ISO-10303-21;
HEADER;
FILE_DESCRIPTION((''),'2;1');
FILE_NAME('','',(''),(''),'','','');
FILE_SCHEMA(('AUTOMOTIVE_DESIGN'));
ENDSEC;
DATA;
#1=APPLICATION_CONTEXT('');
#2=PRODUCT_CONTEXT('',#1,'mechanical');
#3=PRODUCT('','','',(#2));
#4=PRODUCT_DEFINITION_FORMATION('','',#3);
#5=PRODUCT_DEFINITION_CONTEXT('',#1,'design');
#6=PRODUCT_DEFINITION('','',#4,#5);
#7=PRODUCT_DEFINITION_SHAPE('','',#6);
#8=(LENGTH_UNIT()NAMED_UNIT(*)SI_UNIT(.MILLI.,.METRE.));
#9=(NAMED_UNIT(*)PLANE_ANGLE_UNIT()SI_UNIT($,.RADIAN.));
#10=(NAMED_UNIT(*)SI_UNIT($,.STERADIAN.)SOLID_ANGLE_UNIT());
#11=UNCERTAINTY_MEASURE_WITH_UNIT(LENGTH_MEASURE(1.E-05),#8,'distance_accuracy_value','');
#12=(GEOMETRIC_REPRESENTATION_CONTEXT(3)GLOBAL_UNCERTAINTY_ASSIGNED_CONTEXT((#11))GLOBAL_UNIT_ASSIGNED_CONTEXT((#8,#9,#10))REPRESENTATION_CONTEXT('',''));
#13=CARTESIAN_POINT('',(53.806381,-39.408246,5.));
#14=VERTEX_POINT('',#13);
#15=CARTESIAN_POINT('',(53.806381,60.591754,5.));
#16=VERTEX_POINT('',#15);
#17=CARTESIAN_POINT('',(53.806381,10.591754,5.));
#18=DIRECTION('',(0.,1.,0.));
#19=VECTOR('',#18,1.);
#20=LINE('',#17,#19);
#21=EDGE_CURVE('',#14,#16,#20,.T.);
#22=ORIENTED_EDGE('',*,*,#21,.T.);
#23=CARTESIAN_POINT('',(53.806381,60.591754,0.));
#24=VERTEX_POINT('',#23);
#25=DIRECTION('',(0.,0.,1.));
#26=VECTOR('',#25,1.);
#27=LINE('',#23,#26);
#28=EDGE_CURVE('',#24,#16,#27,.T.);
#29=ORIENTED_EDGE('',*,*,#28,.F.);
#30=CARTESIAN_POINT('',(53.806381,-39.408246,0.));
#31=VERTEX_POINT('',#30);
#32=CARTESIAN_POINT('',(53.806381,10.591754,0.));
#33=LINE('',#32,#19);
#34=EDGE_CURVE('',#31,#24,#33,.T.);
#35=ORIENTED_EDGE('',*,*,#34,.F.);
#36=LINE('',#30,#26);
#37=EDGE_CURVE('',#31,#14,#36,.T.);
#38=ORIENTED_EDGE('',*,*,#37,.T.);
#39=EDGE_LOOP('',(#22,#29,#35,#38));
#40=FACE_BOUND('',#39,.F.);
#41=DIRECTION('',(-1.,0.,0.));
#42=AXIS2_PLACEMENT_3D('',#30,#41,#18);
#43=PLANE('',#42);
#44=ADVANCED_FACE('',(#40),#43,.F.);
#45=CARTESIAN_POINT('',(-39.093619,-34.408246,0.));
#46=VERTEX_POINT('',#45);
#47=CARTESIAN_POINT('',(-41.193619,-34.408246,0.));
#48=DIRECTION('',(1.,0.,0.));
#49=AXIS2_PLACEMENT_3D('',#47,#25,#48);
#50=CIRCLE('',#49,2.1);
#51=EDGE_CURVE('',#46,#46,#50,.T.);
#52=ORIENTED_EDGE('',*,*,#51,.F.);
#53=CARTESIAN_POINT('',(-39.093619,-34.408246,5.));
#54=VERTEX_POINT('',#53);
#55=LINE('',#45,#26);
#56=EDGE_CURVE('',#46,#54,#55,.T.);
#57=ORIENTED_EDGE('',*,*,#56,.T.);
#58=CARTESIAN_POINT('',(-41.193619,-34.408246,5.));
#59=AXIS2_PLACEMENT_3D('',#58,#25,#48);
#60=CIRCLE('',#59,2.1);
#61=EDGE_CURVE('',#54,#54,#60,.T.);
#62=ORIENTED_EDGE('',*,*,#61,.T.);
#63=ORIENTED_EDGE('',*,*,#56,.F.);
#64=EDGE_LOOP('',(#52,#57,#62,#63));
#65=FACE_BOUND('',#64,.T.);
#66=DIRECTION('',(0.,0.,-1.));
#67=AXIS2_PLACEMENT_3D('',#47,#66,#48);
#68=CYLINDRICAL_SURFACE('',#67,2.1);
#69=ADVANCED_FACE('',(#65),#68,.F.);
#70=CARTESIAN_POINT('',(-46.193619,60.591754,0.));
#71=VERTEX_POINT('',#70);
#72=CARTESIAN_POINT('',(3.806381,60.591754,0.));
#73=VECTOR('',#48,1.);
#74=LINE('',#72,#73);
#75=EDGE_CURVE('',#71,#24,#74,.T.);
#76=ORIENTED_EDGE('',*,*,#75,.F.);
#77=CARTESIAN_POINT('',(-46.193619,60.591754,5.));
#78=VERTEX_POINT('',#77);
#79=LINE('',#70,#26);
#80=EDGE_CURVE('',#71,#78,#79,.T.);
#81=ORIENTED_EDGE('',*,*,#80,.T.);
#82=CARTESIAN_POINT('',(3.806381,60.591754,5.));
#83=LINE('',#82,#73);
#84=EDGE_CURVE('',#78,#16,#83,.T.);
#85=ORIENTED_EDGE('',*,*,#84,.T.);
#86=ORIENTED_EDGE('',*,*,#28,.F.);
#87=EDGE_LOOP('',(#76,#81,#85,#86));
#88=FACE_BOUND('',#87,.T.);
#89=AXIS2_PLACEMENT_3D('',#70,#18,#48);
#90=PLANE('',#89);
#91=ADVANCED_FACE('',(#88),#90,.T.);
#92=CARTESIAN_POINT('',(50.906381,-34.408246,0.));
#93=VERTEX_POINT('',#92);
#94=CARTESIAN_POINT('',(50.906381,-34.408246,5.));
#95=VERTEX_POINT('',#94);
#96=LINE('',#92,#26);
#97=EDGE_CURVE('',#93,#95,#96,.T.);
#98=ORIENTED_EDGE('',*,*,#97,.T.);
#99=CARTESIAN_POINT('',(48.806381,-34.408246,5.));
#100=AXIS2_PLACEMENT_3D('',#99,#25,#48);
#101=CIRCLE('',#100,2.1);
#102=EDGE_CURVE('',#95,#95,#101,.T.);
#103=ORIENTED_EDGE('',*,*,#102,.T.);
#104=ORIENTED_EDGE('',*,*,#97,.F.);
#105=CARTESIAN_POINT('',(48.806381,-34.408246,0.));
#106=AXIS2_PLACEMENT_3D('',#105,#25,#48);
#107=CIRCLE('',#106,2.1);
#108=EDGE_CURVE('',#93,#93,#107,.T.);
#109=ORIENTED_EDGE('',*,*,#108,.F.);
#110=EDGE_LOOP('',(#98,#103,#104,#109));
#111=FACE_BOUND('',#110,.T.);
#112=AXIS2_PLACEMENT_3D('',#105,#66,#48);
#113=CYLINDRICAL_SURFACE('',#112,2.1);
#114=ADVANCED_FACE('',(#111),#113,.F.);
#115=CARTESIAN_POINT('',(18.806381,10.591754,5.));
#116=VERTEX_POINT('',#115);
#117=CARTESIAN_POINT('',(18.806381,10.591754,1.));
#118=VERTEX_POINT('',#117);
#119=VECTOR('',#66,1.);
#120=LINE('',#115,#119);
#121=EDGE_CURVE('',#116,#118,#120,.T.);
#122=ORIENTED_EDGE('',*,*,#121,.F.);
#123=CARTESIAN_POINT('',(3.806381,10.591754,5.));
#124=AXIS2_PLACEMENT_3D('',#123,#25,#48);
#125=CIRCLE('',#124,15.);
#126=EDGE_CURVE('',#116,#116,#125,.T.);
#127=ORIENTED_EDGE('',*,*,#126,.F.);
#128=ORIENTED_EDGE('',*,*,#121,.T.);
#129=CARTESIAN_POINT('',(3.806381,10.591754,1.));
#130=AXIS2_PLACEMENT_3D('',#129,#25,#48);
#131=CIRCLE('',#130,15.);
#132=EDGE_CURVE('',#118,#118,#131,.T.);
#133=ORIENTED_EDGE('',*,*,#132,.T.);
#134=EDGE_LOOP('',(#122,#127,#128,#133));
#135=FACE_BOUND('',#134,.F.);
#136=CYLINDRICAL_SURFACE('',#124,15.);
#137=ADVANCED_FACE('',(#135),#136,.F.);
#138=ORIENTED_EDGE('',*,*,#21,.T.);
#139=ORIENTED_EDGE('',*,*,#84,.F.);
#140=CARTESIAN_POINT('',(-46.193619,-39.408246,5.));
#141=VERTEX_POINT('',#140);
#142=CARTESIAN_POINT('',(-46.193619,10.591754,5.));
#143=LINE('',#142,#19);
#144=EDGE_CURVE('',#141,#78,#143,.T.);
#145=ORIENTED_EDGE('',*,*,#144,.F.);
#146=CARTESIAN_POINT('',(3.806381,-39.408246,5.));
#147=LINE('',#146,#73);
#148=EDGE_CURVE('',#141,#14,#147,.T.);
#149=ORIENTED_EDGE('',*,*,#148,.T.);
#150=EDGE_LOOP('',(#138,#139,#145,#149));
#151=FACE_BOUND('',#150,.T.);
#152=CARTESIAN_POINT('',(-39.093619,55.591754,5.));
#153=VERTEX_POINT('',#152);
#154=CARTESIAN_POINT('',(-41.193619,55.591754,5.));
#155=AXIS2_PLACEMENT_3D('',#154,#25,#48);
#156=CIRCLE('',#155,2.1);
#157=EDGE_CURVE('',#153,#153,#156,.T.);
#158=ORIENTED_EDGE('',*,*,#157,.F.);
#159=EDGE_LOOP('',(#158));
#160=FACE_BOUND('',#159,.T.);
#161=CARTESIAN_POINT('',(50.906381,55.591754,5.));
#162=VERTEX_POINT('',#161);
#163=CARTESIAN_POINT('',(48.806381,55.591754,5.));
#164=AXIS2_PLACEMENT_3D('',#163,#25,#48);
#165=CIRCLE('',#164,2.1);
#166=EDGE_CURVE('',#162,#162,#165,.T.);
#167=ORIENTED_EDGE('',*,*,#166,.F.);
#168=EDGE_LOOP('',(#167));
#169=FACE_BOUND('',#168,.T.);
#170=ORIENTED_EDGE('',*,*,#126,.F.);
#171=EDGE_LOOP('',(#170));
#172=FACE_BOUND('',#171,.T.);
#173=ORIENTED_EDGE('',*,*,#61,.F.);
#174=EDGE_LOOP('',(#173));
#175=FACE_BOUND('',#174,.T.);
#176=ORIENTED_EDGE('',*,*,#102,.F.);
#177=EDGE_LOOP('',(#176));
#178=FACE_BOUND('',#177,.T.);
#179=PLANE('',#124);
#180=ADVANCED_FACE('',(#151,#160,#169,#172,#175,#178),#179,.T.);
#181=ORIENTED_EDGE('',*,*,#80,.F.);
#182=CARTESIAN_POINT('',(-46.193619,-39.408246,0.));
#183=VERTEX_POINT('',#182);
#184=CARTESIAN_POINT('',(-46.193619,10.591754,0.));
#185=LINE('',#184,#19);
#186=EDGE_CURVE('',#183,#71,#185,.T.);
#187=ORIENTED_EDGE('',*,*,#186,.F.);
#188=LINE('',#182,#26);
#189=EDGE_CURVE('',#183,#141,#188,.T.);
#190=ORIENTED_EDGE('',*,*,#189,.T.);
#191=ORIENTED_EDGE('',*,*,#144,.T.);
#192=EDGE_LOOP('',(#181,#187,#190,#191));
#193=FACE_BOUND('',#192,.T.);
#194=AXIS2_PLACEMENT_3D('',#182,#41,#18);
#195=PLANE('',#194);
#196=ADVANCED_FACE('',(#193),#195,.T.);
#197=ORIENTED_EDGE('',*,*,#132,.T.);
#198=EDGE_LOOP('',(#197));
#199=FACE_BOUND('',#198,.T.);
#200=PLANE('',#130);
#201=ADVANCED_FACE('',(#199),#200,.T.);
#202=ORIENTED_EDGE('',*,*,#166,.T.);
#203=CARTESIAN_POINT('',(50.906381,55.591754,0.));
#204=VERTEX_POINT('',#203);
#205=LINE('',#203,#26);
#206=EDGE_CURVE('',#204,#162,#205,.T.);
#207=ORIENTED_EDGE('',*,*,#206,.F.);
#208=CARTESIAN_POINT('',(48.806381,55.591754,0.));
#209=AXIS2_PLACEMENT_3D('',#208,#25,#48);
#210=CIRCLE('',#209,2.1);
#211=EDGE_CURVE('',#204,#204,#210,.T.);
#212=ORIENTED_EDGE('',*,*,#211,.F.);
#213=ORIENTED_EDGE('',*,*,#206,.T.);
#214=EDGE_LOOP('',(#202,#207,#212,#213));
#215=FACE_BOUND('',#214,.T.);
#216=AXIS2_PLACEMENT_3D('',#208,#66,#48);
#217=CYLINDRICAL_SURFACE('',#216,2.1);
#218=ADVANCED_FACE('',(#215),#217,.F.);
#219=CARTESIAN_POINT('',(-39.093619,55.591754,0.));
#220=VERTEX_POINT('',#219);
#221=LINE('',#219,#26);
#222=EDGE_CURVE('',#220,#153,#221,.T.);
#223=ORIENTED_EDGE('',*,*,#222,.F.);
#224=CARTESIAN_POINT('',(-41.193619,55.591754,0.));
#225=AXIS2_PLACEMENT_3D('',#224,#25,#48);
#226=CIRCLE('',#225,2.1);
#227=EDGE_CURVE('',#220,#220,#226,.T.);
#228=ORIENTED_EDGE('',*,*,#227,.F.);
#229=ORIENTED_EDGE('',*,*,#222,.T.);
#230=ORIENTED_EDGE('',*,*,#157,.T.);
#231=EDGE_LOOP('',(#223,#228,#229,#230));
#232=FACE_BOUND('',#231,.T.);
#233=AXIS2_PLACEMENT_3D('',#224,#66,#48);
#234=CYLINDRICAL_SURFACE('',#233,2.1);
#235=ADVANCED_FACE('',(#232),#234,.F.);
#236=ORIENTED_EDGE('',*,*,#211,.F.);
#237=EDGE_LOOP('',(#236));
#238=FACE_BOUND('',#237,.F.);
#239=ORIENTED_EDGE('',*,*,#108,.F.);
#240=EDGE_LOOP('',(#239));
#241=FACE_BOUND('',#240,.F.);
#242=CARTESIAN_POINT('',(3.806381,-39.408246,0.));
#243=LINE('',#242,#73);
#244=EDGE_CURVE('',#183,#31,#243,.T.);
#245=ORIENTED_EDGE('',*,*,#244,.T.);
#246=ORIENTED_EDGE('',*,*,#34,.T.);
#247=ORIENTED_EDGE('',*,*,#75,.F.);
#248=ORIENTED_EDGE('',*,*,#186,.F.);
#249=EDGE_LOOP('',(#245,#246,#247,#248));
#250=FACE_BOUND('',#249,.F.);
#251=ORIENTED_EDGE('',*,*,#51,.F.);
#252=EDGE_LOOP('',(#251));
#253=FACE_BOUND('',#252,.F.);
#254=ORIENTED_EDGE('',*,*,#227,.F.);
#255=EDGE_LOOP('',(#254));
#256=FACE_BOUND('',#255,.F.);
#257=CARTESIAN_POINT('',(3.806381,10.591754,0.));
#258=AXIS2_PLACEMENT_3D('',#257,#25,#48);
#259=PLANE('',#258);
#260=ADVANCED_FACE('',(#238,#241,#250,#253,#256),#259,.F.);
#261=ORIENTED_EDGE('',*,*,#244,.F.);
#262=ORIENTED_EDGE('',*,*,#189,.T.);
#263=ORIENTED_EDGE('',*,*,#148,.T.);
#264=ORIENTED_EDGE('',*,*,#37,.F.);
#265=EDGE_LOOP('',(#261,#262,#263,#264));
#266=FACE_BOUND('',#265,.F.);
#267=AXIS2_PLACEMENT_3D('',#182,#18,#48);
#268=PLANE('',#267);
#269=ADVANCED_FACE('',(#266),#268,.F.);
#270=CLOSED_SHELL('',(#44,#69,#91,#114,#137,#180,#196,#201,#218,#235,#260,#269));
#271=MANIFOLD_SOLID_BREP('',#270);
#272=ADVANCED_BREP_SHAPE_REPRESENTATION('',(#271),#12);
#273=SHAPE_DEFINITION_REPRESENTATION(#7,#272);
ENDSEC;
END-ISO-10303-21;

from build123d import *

# Parameters (mm, degrees)
F0_W     = 100
F0_H     = 100
F0_R     = 2.1
F1_DEPTH = 5
F2_R     = 15
F3_DEPTH = 4


with BuildPart() as f1:
    # F0 (on Top) → F1 (new body)
    with BuildSketch(Plane.XY):
        with Locations((3.806381, 10.591754)):
            Rectangle(F0_W, F0_H)
        with Locations((-41.193619, -34.408246)):
            Circle(F0_R, mode=Mode.SUBTRACT)
        with Locations((48.806381, -34.408246)):
            Circle(F0_R, mode=Mode.SUBTRACT)
        with Locations((-41.193619, 55.591754)):
            Circle(F0_R, mode=Mode.SUBTRACT)
        with Locations((48.806381, 55.591754)):
            Circle(F0_R, mode=Mode.SUBTRACT)
    extrude(amount=F1_DEPTH)

    # F2 (on face) → F3 (cut)
    with BuildSketch(Plane.XY.offset(5)):
        with Locations((3.806381, 10.591754)):
            Circle(F2_R)
    extrude(amount=-F3_DEPTH, mode=Mode.SUBTRACT)


solid = f1.part
